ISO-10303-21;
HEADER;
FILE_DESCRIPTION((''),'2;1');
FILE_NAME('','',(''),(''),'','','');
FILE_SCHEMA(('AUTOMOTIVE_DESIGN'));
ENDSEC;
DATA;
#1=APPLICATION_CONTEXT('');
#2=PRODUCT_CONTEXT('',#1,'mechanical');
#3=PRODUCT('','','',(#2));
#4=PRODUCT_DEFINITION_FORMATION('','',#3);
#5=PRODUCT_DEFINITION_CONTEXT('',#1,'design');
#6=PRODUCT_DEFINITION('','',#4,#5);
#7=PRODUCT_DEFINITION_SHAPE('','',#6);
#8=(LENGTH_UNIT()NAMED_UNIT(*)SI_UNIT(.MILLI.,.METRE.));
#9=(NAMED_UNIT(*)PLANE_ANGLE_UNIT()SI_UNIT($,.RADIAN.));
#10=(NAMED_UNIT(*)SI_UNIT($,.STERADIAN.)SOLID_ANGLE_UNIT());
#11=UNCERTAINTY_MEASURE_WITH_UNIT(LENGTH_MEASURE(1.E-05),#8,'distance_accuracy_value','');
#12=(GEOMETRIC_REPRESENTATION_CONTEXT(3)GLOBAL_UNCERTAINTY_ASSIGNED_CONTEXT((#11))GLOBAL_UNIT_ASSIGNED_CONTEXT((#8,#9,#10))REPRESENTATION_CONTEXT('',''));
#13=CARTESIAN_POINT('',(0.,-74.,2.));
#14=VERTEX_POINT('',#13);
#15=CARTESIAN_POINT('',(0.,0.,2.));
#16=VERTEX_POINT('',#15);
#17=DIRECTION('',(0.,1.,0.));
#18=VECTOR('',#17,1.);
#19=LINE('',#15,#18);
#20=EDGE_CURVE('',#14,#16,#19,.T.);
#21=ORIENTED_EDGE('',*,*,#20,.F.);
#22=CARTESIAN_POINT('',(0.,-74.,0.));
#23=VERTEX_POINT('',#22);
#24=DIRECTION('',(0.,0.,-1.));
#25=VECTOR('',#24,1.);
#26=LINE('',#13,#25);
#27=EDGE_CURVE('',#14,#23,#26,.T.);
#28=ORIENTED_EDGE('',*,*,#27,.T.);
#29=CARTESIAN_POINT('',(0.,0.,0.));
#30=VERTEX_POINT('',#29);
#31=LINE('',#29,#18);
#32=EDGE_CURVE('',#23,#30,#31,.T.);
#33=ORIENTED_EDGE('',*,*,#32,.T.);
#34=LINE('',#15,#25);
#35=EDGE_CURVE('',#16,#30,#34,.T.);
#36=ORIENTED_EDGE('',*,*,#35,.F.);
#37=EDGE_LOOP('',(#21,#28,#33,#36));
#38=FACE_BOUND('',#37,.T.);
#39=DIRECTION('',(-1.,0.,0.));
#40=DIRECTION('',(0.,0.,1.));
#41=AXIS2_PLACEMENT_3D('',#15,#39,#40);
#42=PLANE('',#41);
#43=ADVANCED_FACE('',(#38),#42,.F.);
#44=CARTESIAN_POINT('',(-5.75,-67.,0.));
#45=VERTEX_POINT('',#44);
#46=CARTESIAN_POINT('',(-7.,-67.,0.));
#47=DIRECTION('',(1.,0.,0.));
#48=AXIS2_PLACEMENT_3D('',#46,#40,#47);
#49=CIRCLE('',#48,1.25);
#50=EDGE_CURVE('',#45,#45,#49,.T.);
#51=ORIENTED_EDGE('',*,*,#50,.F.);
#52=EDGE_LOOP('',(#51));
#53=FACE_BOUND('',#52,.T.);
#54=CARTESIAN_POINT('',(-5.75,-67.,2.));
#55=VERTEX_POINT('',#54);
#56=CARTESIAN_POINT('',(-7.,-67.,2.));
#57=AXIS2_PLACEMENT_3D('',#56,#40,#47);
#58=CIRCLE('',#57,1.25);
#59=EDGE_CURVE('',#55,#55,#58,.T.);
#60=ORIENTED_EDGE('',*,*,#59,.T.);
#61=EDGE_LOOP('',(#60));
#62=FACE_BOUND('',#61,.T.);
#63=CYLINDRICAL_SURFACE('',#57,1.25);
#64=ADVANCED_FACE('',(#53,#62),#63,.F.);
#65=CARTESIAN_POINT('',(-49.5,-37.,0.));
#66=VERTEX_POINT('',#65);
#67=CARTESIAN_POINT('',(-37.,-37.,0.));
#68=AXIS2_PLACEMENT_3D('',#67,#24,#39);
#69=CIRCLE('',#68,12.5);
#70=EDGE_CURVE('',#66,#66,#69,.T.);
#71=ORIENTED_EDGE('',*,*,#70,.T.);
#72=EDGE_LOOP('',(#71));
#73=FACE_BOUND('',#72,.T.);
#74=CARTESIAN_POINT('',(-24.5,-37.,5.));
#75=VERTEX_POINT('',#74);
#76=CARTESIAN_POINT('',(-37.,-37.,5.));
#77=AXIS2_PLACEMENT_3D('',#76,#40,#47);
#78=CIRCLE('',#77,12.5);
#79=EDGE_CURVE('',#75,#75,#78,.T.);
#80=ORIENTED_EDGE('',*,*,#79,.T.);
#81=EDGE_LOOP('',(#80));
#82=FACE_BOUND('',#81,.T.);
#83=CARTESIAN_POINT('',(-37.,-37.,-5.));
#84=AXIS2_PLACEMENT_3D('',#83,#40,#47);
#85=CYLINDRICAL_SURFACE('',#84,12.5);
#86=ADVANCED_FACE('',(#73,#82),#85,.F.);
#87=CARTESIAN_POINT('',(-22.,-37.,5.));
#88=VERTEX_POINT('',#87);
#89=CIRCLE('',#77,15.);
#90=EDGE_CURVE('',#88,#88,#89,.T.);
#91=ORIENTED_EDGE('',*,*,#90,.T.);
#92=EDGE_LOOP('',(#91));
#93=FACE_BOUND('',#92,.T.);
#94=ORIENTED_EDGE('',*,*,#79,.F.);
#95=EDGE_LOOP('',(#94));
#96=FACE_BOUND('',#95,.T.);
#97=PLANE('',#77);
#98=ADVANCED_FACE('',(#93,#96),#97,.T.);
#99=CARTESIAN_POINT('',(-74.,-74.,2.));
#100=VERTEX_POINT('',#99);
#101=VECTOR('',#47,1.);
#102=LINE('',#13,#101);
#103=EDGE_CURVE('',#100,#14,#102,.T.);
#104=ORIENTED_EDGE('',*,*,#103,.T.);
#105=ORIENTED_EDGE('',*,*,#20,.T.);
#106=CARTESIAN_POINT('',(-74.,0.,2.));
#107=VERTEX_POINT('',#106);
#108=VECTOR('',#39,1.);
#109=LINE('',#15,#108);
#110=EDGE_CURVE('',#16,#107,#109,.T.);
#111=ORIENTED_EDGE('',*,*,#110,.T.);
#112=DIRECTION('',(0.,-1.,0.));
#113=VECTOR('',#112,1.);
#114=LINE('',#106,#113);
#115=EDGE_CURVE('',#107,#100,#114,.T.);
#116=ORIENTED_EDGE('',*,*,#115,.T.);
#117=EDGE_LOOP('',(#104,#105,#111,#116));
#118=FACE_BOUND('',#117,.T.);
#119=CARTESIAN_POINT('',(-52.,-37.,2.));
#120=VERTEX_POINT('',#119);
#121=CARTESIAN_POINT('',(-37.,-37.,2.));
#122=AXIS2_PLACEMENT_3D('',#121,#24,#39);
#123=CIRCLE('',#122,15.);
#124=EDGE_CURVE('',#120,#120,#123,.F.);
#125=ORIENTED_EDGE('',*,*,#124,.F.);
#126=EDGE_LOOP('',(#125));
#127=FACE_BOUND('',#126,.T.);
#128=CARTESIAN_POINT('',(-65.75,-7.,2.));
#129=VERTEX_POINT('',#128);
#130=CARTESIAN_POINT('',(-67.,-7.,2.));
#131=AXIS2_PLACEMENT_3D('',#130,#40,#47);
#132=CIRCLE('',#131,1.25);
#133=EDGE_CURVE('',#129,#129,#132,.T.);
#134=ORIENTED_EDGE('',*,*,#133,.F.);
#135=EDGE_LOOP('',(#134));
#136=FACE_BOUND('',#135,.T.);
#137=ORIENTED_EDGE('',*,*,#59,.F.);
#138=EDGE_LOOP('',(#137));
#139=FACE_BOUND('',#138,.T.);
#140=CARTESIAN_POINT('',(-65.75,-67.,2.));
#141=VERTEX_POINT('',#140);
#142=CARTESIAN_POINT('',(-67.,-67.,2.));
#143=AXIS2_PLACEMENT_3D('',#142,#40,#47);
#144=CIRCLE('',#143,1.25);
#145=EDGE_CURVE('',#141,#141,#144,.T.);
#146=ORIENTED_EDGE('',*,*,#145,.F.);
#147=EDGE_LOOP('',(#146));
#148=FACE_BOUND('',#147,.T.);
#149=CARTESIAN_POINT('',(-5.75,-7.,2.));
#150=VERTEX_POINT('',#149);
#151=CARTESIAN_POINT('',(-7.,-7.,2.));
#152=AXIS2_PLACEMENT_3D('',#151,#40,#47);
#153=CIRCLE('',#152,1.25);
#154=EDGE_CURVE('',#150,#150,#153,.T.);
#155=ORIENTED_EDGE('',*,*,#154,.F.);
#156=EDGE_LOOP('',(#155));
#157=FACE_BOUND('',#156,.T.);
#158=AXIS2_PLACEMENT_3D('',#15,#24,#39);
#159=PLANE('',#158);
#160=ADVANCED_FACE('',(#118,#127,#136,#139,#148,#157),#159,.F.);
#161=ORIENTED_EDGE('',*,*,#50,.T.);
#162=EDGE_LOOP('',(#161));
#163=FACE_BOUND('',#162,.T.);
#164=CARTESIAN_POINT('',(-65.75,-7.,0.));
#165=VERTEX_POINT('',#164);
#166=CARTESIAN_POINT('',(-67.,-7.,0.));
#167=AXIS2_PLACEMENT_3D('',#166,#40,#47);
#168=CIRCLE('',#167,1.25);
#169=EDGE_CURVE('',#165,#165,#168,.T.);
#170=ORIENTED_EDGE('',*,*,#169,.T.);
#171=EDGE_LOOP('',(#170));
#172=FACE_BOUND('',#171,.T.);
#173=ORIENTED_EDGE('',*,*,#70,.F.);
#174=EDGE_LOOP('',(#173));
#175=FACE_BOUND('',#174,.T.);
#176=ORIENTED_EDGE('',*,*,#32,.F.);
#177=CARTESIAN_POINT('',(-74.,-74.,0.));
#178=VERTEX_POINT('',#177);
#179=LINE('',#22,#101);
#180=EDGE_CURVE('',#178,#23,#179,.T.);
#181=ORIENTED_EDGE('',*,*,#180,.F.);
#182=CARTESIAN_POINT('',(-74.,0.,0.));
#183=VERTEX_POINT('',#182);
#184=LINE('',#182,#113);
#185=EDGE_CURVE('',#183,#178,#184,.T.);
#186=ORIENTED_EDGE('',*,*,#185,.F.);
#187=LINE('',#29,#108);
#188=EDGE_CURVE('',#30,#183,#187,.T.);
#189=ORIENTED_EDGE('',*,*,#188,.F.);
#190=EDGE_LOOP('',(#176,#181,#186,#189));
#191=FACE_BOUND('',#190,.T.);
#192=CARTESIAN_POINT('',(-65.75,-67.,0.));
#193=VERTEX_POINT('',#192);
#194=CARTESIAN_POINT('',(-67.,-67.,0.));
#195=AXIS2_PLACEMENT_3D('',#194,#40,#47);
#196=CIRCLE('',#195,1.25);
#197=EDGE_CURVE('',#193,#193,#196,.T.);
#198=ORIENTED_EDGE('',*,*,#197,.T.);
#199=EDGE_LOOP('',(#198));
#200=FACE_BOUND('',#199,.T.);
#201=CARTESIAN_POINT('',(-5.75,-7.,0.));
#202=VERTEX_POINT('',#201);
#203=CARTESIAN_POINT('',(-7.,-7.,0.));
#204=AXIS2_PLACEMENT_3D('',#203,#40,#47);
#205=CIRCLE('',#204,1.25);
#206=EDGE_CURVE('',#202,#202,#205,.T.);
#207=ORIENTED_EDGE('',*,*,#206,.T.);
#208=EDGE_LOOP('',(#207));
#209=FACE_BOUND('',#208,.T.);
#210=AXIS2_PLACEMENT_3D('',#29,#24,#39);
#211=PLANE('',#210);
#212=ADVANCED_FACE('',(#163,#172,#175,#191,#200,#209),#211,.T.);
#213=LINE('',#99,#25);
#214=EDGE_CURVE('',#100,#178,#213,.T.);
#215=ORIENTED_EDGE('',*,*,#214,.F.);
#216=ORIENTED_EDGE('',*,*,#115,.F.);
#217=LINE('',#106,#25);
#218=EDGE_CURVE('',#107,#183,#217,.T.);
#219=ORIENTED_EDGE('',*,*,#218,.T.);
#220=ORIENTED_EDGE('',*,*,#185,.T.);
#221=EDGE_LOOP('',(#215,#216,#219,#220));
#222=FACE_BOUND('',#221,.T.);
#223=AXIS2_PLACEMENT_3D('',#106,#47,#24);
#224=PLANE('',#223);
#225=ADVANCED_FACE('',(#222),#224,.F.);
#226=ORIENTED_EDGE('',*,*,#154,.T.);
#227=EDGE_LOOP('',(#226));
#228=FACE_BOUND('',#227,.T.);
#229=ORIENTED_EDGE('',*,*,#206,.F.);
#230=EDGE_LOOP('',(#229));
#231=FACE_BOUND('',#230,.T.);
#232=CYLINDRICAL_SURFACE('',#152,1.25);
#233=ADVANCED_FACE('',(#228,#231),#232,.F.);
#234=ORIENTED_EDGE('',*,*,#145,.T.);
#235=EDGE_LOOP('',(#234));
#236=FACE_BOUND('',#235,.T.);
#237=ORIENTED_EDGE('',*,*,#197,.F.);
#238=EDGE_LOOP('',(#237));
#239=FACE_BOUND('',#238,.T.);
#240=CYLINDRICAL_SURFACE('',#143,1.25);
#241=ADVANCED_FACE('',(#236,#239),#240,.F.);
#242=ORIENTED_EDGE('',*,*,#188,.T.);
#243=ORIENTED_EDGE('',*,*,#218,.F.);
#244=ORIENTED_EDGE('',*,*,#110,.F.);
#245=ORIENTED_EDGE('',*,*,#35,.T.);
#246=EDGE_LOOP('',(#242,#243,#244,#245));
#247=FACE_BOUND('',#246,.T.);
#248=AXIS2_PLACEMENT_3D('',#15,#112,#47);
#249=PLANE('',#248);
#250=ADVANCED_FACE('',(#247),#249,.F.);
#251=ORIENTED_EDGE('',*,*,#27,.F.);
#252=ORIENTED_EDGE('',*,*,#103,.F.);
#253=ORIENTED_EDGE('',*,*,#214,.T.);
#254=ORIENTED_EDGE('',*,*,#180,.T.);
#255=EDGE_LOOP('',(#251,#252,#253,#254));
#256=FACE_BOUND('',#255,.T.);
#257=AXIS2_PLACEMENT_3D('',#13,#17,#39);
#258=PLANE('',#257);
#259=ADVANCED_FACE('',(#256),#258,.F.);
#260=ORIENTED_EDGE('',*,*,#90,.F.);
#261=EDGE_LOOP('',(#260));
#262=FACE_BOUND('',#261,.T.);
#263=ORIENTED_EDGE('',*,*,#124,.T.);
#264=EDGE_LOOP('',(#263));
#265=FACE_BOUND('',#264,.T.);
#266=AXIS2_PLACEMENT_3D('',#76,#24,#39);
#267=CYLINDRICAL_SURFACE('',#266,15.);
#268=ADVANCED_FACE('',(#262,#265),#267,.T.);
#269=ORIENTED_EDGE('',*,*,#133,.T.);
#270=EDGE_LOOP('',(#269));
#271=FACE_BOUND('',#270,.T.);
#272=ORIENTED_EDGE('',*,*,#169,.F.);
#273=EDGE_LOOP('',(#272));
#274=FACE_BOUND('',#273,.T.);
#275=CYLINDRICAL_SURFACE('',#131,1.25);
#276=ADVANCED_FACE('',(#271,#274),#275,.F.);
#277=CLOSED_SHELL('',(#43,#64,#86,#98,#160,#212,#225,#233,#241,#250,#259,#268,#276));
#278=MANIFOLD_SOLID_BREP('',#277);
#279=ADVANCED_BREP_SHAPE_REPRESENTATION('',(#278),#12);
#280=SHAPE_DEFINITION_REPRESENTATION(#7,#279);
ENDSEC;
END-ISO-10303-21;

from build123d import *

# Parameters (mm, degrees)
SKETCH_2_W          = 74
SKETCH_2_H          = 74
EXTRUDE_1_DEPTH     = 2
SKETCH_3_R          = 15
EXTRUDE_2_DEPTH     = 3
SKETCH_4_R          = 12.5
CUT_EXTRUDE_1_DEPTH = 10
M3X0_5_1_D          = 2.5


with BuildPart() as part:
    # ｽｹｯﾁ2 → ﾎﾞｽ - 押し出し1 (new body)
    with BuildSketch(Plane.XY):
        with Locations((-37, -37)):
            Rectangle(SKETCH_2_W, SKETCH_2_H)
    extrude(amount=EXTRUDE_1_DEPTH)

    # ｽｹｯﾁ3 → ﾎﾞｽ - 押し出し2 (add)
    with BuildSketch(Plane.XY.offset(2)):
        with Locations(Location((-37, -37, 0), (0, 0, 180))):
            Circle(SKETCH_3_R)
    extrude(amount=EXTRUDE_2_DEPTH)

    # ｽｹｯﾁ4 → ｶｯﾄ - 押し出し1 (cut)
    with BuildSketch(Plane.XY.offset(5)):
        with Locations((-37, -37)):
            Circle(SKETCH_4_R)
    extrude(amount=-CUT_EXTRUDE_1_DEPTH, mode=Mode.SUBTRACT)

    # M3x0.5 ねじ穴1 (through all)
    with Locations(Plane.XY.offset(2)):
        with Locations((-67, -67), (-7, -67)):
            m3x0_5_1 = Hole(M3X0_5_1_D / 2)

    # ﾐﾗｰ1: M3x0.5 ねじ穴1 across plane
    add(m3x0_5_1.mirror(Plane.ZX.offset(-37)), mode=Mode.SUBTRACT)


solid = part.part
